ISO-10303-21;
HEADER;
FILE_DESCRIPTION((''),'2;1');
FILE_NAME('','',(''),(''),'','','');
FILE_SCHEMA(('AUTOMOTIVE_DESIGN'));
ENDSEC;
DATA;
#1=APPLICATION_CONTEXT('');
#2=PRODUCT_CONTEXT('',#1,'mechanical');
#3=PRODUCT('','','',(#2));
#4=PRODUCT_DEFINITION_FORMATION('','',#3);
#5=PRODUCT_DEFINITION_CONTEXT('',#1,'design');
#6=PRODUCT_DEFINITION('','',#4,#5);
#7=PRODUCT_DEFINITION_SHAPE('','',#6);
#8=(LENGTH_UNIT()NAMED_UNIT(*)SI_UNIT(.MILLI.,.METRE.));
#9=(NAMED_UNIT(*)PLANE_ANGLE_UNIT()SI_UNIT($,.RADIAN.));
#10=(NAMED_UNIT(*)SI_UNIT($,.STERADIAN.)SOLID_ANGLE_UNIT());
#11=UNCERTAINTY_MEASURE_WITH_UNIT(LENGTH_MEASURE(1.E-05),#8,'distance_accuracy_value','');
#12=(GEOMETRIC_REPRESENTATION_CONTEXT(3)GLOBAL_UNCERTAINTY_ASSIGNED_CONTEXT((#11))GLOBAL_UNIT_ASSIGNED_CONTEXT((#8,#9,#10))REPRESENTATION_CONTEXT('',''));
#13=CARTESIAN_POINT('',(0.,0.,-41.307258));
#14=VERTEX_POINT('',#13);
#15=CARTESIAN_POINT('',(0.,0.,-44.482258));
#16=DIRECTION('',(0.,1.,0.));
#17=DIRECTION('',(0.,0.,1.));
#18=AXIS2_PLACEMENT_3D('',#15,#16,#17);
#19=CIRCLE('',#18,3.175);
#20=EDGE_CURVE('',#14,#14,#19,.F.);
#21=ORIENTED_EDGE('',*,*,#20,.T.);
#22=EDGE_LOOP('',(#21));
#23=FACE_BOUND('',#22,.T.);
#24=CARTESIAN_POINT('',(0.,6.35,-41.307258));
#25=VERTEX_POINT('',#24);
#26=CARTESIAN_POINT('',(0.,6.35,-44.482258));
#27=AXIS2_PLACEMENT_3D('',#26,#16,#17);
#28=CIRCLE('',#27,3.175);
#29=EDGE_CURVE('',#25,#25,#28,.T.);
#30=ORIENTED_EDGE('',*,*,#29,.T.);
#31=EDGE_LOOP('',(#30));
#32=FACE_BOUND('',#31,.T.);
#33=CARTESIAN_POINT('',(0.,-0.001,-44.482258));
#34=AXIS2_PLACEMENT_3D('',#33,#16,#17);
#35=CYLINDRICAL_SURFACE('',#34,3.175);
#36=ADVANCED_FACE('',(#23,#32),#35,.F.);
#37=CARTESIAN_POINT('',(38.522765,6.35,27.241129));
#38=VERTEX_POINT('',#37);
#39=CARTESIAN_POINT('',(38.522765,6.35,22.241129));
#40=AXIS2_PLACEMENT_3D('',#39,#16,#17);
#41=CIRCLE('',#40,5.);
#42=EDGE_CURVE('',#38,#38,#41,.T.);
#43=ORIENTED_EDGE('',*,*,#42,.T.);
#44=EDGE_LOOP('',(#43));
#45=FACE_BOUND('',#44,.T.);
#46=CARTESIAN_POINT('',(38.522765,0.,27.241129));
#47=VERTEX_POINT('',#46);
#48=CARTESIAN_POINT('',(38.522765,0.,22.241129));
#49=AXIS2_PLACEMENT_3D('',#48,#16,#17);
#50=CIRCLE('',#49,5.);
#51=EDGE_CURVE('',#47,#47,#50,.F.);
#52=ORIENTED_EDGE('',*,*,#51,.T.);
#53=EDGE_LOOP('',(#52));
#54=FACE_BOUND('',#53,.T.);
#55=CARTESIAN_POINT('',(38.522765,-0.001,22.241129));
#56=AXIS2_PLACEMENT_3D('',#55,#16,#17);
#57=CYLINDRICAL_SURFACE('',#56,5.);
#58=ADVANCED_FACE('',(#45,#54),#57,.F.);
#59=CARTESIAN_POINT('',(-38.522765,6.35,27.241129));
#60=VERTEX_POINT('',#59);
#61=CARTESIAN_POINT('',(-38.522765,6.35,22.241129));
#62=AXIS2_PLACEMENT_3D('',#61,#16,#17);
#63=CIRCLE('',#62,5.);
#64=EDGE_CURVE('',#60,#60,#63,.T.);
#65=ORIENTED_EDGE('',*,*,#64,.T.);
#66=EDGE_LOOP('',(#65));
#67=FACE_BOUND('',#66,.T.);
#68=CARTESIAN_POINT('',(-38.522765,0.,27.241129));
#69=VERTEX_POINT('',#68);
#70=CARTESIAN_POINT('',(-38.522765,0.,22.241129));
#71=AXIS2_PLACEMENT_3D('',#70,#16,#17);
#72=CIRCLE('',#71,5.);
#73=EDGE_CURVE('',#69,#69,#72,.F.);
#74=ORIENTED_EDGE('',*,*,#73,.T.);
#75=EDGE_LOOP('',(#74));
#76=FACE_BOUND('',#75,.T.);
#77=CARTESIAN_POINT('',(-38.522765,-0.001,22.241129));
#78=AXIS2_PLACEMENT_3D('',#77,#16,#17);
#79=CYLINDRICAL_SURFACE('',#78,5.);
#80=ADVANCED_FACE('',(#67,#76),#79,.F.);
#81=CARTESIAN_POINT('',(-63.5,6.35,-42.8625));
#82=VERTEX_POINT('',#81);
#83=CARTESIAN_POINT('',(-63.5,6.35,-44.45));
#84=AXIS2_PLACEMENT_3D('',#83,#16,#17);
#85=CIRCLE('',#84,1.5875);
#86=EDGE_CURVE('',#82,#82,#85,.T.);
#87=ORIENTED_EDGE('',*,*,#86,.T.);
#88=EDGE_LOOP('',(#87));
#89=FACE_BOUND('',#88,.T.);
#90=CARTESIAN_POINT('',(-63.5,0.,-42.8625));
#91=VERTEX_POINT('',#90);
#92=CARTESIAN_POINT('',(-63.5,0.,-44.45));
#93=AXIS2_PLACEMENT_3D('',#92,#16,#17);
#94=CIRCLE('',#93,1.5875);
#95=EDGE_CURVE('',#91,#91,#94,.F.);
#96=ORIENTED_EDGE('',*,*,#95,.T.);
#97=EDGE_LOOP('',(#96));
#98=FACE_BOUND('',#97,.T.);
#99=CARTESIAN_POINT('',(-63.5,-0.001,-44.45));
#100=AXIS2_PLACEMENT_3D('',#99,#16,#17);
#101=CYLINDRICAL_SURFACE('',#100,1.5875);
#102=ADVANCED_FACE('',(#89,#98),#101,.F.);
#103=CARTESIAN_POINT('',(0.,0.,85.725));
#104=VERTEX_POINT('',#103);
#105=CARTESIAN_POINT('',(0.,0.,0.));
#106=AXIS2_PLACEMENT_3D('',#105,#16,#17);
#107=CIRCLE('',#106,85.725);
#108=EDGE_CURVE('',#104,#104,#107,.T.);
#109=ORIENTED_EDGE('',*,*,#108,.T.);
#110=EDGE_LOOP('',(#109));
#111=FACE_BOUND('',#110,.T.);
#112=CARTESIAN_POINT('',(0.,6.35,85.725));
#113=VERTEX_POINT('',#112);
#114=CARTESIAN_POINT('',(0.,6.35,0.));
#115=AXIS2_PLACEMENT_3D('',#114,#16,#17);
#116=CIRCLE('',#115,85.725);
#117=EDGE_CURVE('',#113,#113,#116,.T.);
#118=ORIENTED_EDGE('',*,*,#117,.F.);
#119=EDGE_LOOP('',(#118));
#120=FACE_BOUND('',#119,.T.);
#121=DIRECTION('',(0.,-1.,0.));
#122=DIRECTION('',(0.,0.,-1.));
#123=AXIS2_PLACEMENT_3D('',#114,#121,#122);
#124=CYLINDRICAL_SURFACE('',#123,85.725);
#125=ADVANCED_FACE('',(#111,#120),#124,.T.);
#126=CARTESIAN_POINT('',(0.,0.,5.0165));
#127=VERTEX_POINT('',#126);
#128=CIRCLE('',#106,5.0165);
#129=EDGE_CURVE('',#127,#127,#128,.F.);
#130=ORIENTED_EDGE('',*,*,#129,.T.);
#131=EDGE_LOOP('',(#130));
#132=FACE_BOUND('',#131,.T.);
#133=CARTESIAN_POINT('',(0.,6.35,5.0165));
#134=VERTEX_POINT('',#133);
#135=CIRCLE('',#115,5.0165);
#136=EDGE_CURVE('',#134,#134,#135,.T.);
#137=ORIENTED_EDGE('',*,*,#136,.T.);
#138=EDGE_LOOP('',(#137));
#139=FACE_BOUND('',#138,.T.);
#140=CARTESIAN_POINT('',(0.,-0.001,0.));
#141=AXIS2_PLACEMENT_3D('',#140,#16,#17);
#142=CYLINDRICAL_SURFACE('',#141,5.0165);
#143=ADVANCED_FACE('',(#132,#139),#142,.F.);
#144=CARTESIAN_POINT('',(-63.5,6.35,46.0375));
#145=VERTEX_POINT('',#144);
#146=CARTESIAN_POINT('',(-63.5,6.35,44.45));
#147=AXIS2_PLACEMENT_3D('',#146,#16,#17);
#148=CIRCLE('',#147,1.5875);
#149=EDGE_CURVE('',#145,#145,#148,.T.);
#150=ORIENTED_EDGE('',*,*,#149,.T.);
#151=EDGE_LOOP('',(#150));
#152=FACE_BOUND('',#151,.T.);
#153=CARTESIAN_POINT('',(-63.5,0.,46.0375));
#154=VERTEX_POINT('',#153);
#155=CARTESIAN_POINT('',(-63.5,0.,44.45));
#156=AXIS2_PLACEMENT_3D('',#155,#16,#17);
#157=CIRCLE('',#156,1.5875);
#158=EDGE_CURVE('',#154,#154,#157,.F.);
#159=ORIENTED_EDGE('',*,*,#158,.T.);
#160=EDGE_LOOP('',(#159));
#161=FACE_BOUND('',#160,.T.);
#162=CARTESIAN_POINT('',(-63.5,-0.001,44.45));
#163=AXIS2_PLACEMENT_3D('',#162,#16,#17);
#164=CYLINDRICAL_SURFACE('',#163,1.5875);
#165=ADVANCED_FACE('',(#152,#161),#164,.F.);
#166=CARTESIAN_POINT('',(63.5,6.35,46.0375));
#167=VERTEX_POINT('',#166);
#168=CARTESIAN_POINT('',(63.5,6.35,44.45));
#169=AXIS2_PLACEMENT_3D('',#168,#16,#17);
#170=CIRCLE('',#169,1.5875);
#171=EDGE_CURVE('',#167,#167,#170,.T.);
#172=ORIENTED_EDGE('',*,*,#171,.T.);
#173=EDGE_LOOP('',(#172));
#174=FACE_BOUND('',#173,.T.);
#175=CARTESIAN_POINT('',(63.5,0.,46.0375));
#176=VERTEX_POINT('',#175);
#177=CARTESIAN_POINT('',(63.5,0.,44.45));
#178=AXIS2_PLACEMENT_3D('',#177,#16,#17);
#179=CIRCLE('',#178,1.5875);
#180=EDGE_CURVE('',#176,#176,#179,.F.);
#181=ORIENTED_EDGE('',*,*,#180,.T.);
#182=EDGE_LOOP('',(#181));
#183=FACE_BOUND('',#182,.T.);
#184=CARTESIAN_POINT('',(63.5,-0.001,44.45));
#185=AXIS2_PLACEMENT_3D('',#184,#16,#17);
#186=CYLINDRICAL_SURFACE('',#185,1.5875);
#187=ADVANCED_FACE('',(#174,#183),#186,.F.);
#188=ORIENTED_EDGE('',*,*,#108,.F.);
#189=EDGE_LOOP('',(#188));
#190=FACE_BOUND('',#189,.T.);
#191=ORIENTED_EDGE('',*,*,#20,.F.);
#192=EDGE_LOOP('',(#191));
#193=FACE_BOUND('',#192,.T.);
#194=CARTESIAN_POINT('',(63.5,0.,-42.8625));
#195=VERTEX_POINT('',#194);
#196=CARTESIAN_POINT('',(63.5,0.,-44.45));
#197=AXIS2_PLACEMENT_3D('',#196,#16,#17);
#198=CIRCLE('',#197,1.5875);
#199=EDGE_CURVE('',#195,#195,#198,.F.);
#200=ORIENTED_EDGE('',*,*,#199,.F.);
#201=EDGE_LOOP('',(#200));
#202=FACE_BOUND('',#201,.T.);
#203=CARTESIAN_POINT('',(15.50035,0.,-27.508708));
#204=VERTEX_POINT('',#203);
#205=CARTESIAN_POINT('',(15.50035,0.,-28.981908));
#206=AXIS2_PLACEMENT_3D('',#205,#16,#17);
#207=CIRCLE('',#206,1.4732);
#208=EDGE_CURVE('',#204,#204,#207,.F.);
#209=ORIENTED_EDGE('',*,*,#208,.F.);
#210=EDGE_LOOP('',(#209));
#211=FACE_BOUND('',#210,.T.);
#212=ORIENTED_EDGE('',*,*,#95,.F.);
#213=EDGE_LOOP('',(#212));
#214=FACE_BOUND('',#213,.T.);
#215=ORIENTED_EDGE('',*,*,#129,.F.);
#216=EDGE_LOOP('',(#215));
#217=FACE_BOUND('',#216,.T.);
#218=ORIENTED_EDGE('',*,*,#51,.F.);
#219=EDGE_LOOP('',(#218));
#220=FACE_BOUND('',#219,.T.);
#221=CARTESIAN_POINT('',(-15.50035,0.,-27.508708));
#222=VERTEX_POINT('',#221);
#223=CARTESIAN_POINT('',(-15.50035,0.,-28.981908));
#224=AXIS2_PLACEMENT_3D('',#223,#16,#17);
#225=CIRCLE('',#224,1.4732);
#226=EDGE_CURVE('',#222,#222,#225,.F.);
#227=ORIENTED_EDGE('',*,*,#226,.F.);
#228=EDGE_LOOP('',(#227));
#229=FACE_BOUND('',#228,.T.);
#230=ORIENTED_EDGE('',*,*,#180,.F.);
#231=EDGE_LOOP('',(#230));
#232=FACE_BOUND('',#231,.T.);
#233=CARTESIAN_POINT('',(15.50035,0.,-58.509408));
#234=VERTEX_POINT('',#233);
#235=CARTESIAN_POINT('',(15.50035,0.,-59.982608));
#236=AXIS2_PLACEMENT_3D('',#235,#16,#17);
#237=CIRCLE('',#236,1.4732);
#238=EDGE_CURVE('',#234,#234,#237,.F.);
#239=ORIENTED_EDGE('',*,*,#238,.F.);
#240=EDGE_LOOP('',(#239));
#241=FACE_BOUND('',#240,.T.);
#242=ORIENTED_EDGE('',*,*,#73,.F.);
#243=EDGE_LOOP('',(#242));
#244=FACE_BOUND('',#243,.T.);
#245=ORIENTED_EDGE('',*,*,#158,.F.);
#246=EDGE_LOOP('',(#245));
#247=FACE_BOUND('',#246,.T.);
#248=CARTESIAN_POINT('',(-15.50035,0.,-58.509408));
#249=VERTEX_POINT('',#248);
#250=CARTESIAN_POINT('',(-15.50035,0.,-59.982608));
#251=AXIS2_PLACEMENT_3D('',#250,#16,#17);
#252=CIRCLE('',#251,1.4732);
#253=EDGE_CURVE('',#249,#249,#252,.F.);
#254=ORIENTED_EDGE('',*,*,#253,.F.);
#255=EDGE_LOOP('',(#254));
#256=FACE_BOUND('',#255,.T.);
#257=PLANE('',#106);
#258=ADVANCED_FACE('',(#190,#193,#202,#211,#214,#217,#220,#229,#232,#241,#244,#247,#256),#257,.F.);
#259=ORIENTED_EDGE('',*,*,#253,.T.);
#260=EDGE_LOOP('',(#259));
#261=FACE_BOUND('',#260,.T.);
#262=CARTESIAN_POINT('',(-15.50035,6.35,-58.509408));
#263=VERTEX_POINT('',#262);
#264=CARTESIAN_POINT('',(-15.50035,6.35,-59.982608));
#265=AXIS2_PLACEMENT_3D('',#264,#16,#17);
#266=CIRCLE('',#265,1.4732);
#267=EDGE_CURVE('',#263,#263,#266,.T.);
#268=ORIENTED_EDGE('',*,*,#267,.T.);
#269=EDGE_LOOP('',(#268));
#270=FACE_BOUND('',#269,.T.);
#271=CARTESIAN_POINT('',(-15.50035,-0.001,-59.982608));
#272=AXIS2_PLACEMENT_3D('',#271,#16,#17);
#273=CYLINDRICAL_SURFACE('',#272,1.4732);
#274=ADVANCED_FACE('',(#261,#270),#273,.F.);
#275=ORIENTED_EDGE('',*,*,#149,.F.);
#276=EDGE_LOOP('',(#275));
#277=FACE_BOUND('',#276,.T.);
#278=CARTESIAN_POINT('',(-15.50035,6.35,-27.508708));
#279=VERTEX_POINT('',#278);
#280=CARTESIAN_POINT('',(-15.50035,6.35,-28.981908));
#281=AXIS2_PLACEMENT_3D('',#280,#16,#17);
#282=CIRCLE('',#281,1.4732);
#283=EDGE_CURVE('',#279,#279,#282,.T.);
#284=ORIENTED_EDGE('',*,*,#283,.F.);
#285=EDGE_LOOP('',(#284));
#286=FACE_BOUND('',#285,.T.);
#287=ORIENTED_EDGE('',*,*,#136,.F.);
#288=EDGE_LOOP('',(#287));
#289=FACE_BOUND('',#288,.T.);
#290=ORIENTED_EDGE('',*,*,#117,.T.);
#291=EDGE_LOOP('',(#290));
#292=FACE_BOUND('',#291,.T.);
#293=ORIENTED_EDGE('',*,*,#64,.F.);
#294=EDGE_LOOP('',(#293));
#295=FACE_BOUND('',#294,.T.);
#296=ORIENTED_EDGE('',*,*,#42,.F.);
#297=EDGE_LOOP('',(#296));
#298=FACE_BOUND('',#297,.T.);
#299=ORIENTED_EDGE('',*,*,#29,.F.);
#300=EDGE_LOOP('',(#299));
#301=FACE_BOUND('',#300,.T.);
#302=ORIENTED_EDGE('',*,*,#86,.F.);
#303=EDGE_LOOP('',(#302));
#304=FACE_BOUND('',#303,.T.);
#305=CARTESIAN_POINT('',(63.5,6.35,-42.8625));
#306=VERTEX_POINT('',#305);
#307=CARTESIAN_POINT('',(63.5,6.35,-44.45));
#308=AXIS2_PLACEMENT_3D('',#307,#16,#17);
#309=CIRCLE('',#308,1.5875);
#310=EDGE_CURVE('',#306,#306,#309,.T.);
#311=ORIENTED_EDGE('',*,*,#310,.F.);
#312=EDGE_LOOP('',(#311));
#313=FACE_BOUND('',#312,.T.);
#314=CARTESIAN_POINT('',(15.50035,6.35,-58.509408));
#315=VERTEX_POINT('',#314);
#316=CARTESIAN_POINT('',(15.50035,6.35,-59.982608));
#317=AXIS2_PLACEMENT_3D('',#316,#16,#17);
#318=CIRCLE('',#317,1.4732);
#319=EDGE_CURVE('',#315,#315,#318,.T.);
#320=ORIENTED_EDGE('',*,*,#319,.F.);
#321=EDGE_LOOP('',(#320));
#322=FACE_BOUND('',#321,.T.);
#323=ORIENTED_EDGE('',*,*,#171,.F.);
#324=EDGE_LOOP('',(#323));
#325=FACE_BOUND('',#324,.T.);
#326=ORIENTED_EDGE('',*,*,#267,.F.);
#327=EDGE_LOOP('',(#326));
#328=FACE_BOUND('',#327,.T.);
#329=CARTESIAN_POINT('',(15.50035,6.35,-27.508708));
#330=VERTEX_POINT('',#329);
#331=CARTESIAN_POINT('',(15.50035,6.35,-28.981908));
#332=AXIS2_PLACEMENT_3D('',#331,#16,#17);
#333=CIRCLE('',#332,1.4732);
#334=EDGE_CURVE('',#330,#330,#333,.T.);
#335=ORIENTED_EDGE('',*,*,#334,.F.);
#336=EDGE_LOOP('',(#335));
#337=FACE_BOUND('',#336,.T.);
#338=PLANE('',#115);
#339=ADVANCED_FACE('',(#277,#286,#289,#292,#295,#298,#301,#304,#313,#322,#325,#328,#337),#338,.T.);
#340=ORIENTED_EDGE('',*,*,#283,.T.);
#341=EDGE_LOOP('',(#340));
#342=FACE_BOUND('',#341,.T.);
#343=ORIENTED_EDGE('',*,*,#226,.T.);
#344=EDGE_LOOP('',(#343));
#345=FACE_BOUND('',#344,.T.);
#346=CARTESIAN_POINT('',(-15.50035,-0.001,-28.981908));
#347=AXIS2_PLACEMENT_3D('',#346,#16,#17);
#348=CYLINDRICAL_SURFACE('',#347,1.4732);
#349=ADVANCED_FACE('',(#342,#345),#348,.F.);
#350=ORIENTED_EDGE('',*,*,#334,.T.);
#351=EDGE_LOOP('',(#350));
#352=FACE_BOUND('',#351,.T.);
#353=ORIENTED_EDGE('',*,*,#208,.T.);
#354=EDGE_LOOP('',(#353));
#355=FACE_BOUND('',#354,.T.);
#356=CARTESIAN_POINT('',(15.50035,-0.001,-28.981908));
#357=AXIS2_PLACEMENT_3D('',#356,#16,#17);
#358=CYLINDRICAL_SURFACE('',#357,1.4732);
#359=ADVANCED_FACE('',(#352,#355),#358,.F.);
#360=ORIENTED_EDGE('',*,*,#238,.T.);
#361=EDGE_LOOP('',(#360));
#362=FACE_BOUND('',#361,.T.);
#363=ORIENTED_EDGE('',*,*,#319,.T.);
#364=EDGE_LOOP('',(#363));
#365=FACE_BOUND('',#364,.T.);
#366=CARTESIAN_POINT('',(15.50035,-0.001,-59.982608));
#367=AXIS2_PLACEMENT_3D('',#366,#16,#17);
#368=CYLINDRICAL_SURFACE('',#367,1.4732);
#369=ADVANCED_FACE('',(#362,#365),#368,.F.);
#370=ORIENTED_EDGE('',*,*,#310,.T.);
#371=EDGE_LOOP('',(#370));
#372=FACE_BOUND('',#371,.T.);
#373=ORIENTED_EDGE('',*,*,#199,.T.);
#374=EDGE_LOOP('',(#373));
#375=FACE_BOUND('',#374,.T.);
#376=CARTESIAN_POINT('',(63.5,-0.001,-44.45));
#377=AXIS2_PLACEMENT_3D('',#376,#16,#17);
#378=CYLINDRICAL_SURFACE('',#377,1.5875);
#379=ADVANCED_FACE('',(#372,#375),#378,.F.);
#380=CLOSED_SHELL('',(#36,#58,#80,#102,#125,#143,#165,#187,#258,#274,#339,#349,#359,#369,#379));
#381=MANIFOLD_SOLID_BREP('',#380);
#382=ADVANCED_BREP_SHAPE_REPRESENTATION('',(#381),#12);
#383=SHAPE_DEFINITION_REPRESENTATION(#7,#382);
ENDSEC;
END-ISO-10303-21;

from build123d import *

# Parameters (mm, degrees)
SKETCH1_R           = 85.725
BOSS_EXTRUDE1_DEPTH = 6.35
CUT_EXTRUDE1_REACH  = 123.4
SKETCH2_R           = 1.5875
CUT_EXTRUDE2_REACH  = 123.4
SKETCH3_R           = 3.175
SKETCH3_R_2         = 5
CUT_EXTRUDE3_REACH  = 123.4
SKETCH5_R           = 1.4732
CENTER_HOLE_REACH   = 123.4
SKETCH6_R           = 5.0165


with BuildPart() as part:
    # Sketch1 → Boss-Extrude1 (new body)
    with BuildSketch(Plane(origin=(0, 0, 0), x_dir=(1, 0, 0), z_dir=(0, 1, 0))):
        Circle(SKETCH1_R)
    extrude(amount=BOSS_EXTRUDE1_DEPTH)

    # Sketch2 → Cut-Extrude1 (cut, up to next)
    with BuildSketch(Plane(origin=(0, 6.35, 0), x_dir=(1, 0, 0), z_dir=(0, 1, 0)), mode=Mode.PRIVATE) as cut_extrude1_sk1:
        with Locations((-63.5, 44.45)):
            Circle(SKETCH2_R)
    cut_extrude1_tool1 = extrude(cut_extrude1_sk1.sketch, amount=-CUT_EXTRUDE1_REACH, mode=Mode.PRIVATE) & part.part
    # Sketch2 → Cut-Extrude1 (cut, up to next)
    with BuildSketch(Plane(origin=(0, 6.35, 0), x_dir=(1, 0, 0), z_dir=(0, 1, 0)), mode=Mode.PRIVATE) as cut_extrude1_sk2:
        with Locations((63.5, 44.45)):
            Circle(SKETCH2_R)
    cut_extrude1_tool2 = extrude(cut_extrude1_sk2.sketch, amount=-CUT_EXTRUDE1_REACH, mode=Mode.PRIVATE) & part.part
    # Sketch2 → Cut-Extrude1 (cut, up to next)
    with BuildSketch(Plane(origin=(0, 6.35, 0), x_dir=(1, 0, 0), z_dir=(0, 1, 0)), mode=Mode.PRIVATE) as cut_extrude1_sk3:
        with Locations((-63.5, -44.45)):
            Circle(SKETCH2_R)
    cut_extrude1_tool3 = extrude(cut_extrude1_sk3.sketch, amount=-CUT_EXTRUDE1_REACH, mode=Mode.PRIVATE) & part.part
    # Sketch2 → Cut-Extrude1 (cut, up to next)
    with BuildSketch(Plane(origin=(0, 6.35, 0), x_dir=(1, 0, 0), z_dir=(0, 1, 0)), mode=Mode.PRIVATE) as cut_extrude1_sk4:
        with Locations((63.5, -44.45)):
            Circle(SKETCH2_R)
    cut_extrude1_tool4 = extrude(cut_extrude1_sk4.sketch, amount=-CUT_EXTRUDE1_REACH, mode=Mode.PRIVATE) & part.part
    add(cut_extrude1_tool1.solids().sort_by_distance((-63.5, 6.35, -44.45))[0], mode=Mode.SUBTRACT)
    add(cut_extrude1_tool2.solids().sort_by_distance((63.5, 6.35, -44.45))[0], mode=Mode.SUBTRACT)
    add(cut_extrude1_tool3.solids().sort_by_distance((-63.5, 6.35, 44.45))[0], mode=Mode.SUBTRACT)
    add(cut_extrude1_tool4.solids().sort_by_distance((63.5, 6.35, 44.45))[0], mode=Mode.SUBTRACT)

    # Sketch3 → Cut-Extrude2 (cut, up to next)
    with BuildSketch(Plane(origin=(0, 6.35, 0), x_dir=(1, 0, 0), z_dir=(0, 1, 0)), mode=Mode.PRIVATE) as cut_extrude2_sk1:
        with Locations((0, 44.482258)):
            Circle(SKETCH3_R)
    cut_extrude2_tool1 = extrude(cut_extrude2_sk1.sketch, amount=-CUT_EXTRUDE2_REACH, mode=Mode.PRIVATE) & part.part
    # Sketch3 → Cut-Extrude2 (cut, up to next)
    with BuildSketch(Plane(origin=(0, 6.35, 0), x_dir=(1, 0, 0), z_dir=(0, 1, 0)), mode=Mode.PRIVATE) as cut_extrude2_sk2:
        with Locations((-38.522765446, -22.241129)):
            Circle(SKETCH3_R_2)
    cut_extrude2_tool2 = extrude(cut_extrude2_sk2.sketch, amount=-CUT_EXTRUDE2_REACH, mode=Mode.PRIVATE) & part.part
    # Sketch3 → Cut-Extrude2 (cut, up to next)
    with BuildSketch(Plane(origin=(0, 6.35, 0), x_dir=(1, 0, 0), z_dir=(0, 1, 0)), mode=Mode.PRIVATE) as cut_extrude2_sk3:
        with Locations((38.522765446, -22.241129)):
            Circle(SKETCH3_R_2)
    cut_extrude2_tool3 = extrude(cut_extrude2_sk3.sketch, amount=-CUT_EXTRUDE2_REACH, mode=Mode.PRIVATE) & part.part
    add(cut_extrude2_tool1.solids().sort_by_distance((0, 6.35, -44.482258))[0], mode=Mode.SUBTRACT)
    add(cut_extrude2_tool2.solids().sort_by_distance((-38.522765, 6.35, 22.241129))[0], mode=Mode.SUBTRACT)
    add(cut_extrude2_tool3.solids().sort_by_distance((38.522765, 6.35, 22.241129))[0], mode=Mode.SUBTRACT)

    # Sketch5 → Cut-Extrude3 (cut, up to next)
    with BuildSketch(Plane(origin=(0, 6.35, 0), x_dir=(1, 0, 0), z_dir=(0, 1, 0)), mode=Mode.PRIVATE) as cut_extrude3_sk1:
        with Locations((-15.50035, 59.982608)):
            Circle(SKETCH5_R)
    cut_extrude3_tool1 = extrude(cut_extrude3_sk1.sketch, amount=-CUT_EXTRUDE3_REACH, mode=Mode.PRIVATE) & part.part
    # Sketch5 → Cut-Extrude3 (cut, up to next)
    with BuildSketch(Plane(origin=(0, 6.35, 0), x_dir=(1, 0, 0), z_dir=(0, 1, 0)), mode=Mode.PRIVATE) as cut_extrude3_sk2:
        with Locations((15.50035, 59.982608)):
            Circle(SKETCH5_R)
    cut_extrude3_tool2 = extrude(cut_extrude3_sk2.sketch, amount=-CUT_EXTRUDE3_REACH, mode=Mode.PRIVATE) & part.part
    # Sketch5 → Cut-Extrude3 (cut, up to next)
    with BuildSketch(Plane(origin=(0, 6.35, 0), x_dir=(1, 0, 0), z_dir=(0, 1, 0)), mode=Mode.PRIVATE) as cut_extrude3_sk3:
        with Locations((-15.50035, 28.981908)):
            Circle(SKETCH5_R)
    cut_extrude3_tool3 = extrude(cut_extrude3_sk3.sketch, amount=-CUT_EXTRUDE3_REACH, mode=Mode.PRIVATE) & part.part
    # Sketch5 → Cut-Extrude3 (cut, up to next)
    with BuildSketch(Plane(origin=(0, 6.35, 0), x_dir=(1, 0, 0), z_dir=(0, 1, 0)), mode=Mode.PRIVATE) as cut_extrude3_sk4:
        with Locations((15.50035, 28.981908)):
            Circle(SKETCH5_R)
    cut_extrude3_tool4 = extrude(cut_extrude3_sk4.sketch, amount=-CUT_EXTRUDE3_REACH, mode=Mode.PRIVATE) & part.part
    add(cut_extrude3_tool1.solids().sort_by_distance((-15.50035, 6.35, -59.982608))[0], mode=Mode.SUBTRACT)
    add(cut_extrude3_tool2.solids().sort_by_distance((15.50035, 6.35, -59.982608))[0], mode=Mode.SUBTRACT)
    add(cut_extrude3_tool3.solids().sort_by_distance((-15.50035, 6.35, -28.981908))[0], mode=Mode.SUBTRACT)
    add(cut_extrude3_tool4.solids().sort_by_distance((15.50035, 6.35, -28.981908))[0], mode=Mode.SUBTRACT)

    # Sketch6 → center_hole (cut, up to next)
    with BuildSketch(Plane(origin=(0, 6.35, 0), x_dir=(1, 0, 0), z_dir=(0, 1, 0)), mode=Mode.PRIVATE) as center_hole_sk1:
        Circle(SKETCH6_R)
    center_hole_tool1 = extrude(center_hole_sk1.sketch, amount=-CENTER_HOLE_REACH, mode=Mode.PRIVATE) & part.part
    add(center_hole_tool1.solids().sort_by_distance((0, 6.35, 0))[0], mode=Mode.SUBTRACT)


solid = part.part
